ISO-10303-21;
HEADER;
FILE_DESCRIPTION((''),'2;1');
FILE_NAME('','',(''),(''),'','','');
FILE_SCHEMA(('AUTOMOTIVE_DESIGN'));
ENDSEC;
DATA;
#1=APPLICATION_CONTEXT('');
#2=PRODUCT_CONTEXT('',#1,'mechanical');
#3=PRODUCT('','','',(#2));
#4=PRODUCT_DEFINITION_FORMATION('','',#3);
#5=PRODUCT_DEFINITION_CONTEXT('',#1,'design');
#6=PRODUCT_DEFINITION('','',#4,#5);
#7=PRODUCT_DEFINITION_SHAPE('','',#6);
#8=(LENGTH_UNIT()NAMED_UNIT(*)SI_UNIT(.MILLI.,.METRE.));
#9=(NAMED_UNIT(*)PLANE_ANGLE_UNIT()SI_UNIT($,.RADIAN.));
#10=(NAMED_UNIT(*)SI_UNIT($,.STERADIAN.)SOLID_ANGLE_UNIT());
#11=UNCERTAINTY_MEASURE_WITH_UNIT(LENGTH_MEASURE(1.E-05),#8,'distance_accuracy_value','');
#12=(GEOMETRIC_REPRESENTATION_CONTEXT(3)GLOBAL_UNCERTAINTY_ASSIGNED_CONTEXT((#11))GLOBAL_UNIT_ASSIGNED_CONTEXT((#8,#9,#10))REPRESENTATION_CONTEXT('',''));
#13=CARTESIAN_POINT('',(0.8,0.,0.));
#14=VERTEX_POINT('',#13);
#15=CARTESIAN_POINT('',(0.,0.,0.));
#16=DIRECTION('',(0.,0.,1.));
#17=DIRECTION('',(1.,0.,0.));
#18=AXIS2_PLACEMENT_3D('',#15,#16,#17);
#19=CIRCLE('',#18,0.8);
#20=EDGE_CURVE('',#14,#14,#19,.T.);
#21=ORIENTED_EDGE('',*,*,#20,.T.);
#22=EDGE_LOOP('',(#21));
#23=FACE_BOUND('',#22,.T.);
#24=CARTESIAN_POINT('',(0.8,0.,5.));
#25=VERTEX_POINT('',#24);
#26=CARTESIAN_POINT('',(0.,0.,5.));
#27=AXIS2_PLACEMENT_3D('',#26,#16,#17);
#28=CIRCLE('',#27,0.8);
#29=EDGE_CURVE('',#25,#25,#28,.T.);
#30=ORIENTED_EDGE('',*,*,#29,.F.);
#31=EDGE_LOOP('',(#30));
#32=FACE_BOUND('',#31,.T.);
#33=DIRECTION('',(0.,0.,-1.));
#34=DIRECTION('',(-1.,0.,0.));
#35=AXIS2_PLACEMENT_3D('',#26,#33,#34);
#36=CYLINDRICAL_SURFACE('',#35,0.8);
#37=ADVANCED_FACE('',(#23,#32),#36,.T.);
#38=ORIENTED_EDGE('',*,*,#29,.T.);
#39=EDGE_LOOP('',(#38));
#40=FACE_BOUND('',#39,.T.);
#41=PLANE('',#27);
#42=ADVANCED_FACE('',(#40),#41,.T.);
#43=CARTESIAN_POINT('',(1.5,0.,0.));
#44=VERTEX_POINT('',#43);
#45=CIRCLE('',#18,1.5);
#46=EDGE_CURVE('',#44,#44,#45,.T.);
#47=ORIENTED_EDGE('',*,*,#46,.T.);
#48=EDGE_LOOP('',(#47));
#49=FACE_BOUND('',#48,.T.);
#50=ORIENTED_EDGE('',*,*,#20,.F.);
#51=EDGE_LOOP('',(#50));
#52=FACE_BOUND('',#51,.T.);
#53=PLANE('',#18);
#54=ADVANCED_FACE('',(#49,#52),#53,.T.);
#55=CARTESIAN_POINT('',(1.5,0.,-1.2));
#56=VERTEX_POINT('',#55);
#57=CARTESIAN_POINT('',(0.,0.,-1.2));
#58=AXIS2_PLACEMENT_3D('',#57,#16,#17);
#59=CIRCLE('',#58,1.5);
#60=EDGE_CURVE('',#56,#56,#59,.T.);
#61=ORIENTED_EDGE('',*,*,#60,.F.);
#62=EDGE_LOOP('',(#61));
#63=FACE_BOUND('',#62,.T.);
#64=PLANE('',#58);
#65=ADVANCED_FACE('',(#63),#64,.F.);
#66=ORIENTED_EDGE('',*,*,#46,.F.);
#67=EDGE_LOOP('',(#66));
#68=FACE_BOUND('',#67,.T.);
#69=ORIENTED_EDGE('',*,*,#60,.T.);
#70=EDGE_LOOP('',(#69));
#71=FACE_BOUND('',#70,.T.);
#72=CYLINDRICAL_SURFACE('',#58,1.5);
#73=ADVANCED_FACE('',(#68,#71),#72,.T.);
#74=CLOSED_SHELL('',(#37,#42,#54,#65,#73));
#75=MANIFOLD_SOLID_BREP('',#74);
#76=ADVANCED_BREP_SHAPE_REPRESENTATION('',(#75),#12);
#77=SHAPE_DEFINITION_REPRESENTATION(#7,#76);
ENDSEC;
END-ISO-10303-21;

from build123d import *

# Parameters (mm, degrees)
PROFILE_SHANK_1P6_LENGTH_5_R = 0.8
SHANK_1P6_LENGTH_5_DEPTH     = 5
PROFILE_HEAD_D3_HEIGHT_1P2_R = 1.5
HEAD_D3_HEIGHT_1P2_DEPTH     = 1.2


with BuildPart() as part:
    # Profile_Shank_1p6_length_5 → Shank_1p6_length_5 (new body)
    with BuildSketch(Plane.XY):
        Circle(PROFILE_SHANK_1P6_LENGTH_5_R)
    extrude(amount=SHANK_1P6_LENGTH_5_DEPTH)

    # Profile_Head_d3_height_1p2 → Head_d3_height_1p2 (add)
    with BuildSketch(Plane.XY):
        Circle(PROFILE_HEAD_D3_HEIGHT_1P2_R)
    extrude(amount=-HEAD_D3_HEIGHT_1P2_DEPTH)


solid = part.part
